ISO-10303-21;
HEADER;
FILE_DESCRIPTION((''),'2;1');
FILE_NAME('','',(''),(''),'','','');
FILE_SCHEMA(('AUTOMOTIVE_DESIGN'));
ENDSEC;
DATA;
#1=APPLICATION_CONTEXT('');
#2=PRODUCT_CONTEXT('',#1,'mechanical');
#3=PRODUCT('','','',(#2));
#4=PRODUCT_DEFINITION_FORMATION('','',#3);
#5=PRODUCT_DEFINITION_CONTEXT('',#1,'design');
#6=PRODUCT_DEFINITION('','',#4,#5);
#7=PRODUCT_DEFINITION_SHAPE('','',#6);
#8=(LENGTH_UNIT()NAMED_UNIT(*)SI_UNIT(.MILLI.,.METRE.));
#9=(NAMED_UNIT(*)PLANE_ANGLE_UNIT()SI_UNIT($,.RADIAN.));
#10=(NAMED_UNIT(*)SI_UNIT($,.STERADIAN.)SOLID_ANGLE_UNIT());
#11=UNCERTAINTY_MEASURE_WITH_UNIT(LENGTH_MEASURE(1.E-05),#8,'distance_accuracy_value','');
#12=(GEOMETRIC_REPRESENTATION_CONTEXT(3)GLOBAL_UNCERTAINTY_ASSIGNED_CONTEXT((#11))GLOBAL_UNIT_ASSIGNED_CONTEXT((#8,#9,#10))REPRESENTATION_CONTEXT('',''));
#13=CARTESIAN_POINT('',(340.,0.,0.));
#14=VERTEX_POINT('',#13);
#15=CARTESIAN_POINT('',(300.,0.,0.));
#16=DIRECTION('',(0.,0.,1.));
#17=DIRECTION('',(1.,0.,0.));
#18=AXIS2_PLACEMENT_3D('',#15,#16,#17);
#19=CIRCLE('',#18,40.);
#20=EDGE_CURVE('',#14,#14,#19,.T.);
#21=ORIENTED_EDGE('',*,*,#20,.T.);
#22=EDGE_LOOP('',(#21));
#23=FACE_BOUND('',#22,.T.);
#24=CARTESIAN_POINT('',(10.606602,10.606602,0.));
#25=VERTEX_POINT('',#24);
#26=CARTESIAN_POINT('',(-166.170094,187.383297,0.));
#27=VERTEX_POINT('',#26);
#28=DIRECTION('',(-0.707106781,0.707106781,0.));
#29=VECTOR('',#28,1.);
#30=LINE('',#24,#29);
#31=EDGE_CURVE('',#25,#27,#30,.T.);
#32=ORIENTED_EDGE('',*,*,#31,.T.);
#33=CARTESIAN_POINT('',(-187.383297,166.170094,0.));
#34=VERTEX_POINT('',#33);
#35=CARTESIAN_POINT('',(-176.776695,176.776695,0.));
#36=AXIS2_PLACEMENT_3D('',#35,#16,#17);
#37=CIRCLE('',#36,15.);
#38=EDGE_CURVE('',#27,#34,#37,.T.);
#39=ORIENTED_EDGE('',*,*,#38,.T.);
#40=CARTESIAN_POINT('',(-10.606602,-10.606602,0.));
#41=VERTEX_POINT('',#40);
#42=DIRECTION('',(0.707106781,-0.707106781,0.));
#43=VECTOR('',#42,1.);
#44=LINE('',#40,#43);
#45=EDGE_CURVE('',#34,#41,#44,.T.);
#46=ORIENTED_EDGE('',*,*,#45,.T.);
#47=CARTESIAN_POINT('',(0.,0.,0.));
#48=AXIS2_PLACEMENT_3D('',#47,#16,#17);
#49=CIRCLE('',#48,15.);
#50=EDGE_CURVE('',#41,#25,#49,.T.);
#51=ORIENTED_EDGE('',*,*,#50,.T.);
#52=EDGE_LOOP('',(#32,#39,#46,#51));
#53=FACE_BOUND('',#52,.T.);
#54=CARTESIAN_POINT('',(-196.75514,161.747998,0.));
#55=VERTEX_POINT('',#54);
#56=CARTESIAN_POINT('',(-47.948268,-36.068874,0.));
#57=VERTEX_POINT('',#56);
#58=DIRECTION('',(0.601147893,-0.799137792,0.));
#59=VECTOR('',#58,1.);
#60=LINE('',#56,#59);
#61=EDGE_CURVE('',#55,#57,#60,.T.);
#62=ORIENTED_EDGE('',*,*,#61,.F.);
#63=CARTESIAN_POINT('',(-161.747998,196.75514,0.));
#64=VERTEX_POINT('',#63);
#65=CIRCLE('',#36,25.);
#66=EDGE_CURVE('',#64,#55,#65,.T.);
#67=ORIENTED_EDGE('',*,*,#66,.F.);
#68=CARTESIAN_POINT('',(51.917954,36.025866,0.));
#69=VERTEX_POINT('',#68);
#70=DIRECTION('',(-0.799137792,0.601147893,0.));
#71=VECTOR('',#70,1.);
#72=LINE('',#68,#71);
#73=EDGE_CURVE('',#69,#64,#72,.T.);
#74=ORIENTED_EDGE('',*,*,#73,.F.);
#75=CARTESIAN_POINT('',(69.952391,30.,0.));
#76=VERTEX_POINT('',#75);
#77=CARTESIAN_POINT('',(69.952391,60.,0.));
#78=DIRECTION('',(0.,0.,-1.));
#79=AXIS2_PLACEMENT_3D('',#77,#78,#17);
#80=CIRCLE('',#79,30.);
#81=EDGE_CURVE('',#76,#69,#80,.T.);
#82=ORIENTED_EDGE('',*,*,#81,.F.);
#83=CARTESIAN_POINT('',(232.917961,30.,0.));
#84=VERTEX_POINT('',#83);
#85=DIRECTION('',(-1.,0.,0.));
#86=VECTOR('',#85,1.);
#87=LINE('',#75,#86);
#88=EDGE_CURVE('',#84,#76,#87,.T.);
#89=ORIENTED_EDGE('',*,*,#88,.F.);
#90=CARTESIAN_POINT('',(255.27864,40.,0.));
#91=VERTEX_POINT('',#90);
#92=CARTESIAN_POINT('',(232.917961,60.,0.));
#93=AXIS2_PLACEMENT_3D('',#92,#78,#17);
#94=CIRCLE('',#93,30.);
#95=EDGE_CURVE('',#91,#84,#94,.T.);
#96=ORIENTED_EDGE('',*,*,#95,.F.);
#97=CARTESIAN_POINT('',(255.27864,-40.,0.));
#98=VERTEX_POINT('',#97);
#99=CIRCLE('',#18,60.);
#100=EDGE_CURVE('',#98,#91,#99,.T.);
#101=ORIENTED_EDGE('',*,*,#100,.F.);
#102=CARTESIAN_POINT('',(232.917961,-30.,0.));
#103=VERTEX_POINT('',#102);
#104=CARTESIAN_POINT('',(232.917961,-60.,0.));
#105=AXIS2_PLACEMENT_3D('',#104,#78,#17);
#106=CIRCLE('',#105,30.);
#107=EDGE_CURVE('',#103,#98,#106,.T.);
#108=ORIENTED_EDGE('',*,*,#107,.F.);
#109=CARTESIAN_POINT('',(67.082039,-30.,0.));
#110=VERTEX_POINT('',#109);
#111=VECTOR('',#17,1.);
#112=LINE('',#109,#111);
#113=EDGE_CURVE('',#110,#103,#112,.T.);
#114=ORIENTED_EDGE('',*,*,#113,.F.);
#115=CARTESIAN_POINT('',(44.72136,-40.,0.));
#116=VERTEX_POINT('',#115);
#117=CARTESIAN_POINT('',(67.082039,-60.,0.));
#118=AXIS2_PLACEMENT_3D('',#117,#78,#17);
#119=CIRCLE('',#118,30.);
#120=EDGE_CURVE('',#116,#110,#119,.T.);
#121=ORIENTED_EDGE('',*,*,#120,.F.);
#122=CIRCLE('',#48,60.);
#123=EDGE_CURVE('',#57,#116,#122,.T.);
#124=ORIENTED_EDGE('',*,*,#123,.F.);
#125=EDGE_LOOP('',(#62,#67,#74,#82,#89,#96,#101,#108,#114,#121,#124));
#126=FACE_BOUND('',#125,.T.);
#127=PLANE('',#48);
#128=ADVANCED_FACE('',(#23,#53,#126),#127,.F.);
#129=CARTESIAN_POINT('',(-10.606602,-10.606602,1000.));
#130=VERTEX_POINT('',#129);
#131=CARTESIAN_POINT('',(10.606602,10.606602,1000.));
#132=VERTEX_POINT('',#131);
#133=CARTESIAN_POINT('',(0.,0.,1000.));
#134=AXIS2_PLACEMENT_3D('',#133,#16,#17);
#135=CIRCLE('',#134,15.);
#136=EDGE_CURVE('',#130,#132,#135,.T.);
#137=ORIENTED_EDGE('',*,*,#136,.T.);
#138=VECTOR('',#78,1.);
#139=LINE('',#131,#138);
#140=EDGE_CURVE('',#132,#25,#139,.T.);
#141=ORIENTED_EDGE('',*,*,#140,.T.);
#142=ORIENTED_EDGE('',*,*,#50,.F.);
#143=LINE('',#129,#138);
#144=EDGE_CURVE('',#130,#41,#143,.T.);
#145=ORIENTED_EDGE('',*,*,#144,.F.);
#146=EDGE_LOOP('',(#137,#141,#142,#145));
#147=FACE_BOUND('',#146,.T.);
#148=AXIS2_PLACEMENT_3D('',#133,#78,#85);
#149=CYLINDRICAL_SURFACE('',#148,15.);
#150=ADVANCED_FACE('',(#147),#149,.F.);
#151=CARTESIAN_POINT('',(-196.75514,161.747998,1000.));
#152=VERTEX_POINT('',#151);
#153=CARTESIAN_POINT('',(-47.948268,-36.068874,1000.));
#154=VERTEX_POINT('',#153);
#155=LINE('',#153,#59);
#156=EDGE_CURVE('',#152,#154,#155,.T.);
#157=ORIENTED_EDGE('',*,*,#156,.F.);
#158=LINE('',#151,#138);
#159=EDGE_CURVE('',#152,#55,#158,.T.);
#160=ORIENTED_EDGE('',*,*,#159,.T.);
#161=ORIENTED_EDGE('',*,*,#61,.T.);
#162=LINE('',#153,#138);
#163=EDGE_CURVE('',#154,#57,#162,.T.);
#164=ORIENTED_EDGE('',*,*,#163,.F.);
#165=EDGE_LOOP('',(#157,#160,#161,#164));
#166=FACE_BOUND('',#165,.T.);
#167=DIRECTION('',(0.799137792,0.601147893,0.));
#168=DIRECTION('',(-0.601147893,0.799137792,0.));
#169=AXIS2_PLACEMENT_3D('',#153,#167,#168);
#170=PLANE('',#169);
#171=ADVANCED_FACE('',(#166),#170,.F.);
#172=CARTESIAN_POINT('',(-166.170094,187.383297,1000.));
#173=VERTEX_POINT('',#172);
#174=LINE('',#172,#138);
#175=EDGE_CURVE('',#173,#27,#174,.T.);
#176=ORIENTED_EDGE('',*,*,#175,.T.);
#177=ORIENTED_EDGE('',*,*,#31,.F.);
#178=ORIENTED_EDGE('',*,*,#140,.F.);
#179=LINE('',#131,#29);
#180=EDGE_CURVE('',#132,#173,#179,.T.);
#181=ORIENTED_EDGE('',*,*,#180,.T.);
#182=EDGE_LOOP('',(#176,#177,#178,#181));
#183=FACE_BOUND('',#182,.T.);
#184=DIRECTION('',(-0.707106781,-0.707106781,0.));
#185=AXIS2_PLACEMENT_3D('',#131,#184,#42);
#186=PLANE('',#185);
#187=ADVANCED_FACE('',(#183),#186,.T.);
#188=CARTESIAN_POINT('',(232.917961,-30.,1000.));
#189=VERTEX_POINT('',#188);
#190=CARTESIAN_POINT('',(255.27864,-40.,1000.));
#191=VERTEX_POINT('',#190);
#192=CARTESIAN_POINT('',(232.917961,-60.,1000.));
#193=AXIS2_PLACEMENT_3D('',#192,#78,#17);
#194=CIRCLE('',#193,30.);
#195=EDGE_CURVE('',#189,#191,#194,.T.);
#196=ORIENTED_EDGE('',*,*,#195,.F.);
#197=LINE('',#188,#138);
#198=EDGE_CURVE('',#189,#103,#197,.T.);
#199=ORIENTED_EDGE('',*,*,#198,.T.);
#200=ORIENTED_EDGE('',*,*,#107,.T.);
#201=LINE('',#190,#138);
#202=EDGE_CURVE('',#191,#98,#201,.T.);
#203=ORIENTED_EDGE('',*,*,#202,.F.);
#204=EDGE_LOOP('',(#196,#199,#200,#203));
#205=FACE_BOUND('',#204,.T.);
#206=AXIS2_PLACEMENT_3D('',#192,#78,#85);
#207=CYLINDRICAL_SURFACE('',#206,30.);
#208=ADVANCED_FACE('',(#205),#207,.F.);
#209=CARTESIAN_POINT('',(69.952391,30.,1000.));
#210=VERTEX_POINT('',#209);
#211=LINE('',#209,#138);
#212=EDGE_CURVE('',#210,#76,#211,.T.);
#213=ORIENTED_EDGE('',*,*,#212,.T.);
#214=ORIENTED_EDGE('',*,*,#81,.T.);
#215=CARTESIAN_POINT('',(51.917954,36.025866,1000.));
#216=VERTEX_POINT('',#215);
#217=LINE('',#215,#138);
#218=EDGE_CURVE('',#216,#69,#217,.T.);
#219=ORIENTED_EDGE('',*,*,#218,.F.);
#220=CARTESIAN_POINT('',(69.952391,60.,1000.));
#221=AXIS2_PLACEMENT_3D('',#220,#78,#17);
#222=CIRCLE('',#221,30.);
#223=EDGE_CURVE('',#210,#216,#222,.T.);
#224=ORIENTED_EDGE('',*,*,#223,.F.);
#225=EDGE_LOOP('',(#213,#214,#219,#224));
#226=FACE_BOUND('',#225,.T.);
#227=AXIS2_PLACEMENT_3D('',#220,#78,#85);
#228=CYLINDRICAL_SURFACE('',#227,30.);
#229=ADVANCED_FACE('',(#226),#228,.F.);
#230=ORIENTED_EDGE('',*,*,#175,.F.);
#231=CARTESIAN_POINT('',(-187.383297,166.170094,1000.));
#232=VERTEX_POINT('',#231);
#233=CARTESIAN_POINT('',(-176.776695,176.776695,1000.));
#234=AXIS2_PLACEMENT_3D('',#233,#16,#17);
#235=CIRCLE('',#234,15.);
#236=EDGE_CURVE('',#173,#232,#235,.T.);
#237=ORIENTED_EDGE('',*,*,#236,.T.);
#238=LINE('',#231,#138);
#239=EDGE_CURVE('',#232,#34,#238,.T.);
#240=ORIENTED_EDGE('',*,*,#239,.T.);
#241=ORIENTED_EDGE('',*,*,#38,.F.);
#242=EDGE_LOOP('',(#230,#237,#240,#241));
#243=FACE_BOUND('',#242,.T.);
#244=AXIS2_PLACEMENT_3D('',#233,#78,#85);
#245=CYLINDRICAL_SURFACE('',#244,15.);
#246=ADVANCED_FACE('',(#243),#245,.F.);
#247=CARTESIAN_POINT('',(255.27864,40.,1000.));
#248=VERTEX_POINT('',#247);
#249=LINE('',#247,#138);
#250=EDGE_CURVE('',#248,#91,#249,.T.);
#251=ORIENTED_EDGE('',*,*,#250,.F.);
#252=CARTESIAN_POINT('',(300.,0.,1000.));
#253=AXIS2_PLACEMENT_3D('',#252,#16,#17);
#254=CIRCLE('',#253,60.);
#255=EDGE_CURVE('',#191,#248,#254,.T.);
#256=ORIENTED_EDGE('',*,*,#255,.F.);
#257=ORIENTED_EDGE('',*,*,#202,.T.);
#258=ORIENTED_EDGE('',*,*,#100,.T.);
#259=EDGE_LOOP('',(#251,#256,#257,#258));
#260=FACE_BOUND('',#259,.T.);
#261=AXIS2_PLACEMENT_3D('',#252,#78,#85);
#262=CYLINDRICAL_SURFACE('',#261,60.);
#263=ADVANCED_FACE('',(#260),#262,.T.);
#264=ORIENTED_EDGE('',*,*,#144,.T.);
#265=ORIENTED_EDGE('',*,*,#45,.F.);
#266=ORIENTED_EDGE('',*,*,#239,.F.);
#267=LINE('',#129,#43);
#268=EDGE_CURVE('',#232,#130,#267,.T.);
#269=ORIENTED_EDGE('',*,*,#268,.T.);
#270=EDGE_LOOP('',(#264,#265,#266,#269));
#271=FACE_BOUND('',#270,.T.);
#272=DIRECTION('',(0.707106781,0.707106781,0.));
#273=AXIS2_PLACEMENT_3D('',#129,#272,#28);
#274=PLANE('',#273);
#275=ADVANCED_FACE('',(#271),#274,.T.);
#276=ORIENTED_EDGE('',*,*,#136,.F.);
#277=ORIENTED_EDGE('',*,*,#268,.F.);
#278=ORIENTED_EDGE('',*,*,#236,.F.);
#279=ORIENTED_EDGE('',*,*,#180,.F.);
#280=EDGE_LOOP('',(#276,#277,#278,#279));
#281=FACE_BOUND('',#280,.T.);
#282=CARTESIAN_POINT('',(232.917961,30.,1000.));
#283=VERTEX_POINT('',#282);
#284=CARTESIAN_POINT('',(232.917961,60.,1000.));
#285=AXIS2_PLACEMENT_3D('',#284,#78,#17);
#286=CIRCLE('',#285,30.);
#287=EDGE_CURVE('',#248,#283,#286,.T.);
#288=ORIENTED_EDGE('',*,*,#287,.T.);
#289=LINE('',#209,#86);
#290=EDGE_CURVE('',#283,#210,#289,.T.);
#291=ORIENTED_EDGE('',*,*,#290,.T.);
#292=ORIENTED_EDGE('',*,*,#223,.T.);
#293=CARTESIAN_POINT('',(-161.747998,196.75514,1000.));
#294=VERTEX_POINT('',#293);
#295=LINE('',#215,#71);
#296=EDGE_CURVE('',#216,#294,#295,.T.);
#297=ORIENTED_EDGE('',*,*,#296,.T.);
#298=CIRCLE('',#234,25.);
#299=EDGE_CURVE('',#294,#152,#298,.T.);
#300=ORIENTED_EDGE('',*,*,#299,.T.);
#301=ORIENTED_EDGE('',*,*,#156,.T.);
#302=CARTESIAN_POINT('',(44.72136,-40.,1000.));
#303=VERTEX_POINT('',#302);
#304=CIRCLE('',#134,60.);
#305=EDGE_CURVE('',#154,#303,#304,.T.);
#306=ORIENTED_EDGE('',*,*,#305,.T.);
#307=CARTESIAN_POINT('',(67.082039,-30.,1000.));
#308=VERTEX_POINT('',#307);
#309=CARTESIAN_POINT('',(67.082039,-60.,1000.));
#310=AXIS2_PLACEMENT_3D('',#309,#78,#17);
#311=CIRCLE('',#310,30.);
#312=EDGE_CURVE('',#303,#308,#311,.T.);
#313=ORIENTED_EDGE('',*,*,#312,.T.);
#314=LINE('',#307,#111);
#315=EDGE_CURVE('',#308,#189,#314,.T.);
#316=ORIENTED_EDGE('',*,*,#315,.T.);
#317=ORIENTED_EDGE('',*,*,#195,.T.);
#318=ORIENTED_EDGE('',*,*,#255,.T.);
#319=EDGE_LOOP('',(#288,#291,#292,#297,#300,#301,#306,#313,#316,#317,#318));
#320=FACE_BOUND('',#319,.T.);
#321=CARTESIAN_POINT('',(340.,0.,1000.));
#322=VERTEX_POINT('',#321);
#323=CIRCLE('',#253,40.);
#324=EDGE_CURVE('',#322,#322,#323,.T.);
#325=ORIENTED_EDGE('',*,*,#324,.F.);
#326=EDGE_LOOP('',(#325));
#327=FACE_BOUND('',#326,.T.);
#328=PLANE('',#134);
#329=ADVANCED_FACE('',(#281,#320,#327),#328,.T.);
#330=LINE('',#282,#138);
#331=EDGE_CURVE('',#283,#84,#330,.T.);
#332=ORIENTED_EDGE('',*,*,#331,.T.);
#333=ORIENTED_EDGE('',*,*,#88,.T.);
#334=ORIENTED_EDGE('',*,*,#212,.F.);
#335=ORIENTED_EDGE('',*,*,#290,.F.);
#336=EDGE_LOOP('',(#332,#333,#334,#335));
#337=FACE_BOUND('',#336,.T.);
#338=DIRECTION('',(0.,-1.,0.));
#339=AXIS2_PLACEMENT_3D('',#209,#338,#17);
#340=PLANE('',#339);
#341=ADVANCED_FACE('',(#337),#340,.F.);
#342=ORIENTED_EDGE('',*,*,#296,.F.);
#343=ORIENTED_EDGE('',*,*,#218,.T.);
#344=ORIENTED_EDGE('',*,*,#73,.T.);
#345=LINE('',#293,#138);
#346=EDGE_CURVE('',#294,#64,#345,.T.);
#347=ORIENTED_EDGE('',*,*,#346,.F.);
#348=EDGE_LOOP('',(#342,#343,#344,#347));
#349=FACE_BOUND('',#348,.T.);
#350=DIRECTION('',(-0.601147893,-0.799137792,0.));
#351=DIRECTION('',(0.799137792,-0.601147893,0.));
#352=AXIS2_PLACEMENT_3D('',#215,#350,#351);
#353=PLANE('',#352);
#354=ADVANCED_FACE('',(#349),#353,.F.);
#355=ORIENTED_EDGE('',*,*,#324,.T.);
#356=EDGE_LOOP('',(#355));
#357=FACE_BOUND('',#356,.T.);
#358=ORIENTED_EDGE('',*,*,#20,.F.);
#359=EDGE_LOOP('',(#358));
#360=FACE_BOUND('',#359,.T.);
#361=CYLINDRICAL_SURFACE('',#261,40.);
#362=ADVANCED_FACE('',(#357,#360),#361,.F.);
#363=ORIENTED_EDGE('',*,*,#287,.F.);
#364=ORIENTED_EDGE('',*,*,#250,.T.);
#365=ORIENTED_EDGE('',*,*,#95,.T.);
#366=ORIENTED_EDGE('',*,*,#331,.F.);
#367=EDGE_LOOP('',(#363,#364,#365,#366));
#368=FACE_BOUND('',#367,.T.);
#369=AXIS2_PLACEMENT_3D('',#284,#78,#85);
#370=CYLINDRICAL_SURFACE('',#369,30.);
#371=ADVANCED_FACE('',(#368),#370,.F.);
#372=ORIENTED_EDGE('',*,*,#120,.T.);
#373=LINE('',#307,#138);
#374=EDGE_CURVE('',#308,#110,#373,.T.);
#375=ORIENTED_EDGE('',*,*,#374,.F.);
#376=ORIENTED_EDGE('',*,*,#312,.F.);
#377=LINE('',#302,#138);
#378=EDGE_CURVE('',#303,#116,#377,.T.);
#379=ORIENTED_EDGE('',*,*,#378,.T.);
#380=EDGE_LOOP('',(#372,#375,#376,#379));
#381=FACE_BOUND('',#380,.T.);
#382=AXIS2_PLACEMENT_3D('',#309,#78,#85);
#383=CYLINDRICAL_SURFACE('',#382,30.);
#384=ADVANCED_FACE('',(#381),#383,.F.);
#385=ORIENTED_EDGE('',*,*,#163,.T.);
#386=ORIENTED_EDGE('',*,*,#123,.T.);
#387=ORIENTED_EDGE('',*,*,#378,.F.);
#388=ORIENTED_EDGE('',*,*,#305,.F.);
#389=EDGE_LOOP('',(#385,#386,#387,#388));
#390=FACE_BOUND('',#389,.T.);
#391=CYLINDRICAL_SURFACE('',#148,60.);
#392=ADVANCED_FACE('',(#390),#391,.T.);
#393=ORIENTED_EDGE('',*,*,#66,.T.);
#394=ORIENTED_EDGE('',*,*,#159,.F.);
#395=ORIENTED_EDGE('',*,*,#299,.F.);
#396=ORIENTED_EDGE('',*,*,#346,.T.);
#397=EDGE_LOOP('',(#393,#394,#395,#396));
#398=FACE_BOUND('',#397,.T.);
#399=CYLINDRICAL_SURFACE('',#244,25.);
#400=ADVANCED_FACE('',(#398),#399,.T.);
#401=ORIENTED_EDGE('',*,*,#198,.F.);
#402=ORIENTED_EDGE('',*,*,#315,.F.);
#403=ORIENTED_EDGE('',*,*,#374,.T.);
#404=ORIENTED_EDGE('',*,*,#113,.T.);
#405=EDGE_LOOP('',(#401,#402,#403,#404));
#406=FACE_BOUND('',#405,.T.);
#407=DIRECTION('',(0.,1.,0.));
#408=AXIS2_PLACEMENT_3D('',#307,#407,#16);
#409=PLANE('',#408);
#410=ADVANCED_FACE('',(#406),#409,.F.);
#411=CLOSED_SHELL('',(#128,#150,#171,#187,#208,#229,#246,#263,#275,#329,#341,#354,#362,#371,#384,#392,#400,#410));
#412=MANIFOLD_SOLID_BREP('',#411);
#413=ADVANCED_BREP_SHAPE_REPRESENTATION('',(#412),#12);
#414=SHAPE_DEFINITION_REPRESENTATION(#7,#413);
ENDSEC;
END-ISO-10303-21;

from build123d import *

# Parameters (mm, degrees)
SKETCH13_R          = 40
BOSS_EXTRUDE1_DEPTH = 1000


with BuildPart() as part:
    # Sketch13 → Boss-Extrude1 (new body)
    with BuildSketch(Plane.XY):
        with BuildLine():
            Line((51.91795422, 36.025866242), (-161.747997967, 196.755140095))
            ThreePointArc((-161.747997967, 196.755140095), (-194.454364826, 194.454364826), (-196.755140095, 161.747997967))
            Line((-196.755140095, 161.747997967), (-47.948267516, -36.068873592))
            ThreePointArc((-47.948267516, -36.068873592), (-2.54296529, -59.946086841), (44.72135955, -40))
            ThreePointArc((44.72135955, -40), (54.834590611, -32.613872125), (67.082039325, -30))
            Line((67.082039325, -30), (232.917960675, -30))
            ThreePointArc((232.917960675, -30), (245.165409389, -32.613872125), (255.27864045, -40))
            ThreePointArc((255.27864045, -40), (360, 0), (255.27864045, 40))
            ThreePointArc((255.27864045, 40), (245.165409389, 32.613872125), (232.917960675, 30))
            Line((232.917960675, 30), (69.952391016, 30))
            ThreePointArc((69.952391016, 30), (60.445130968, 31.546318228), (51.91795422, 36.025866242))
        make_face()
        with Locations((300, 0)):
            Circle(SKETCH13_R, mode=Mode.SUBTRACT)
        with BuildLine():
            Line((-10.606601718, -10.606601718), (-187.383297014, 166.170093579))
            ThreePointArc((-187.383297014, 166.170093579), (-187.383297014, 187.383297014), (-166.170093579, 187.383297014))
            Line((-166.170093579, 187.383297014), (10.606601718, 10.606601718))
            ThreePointArc((10.606601718, 10.606601718), (10.606601718, -10.606601718), (-10.606601718, -10.606601718))
        make_face(mode=Mode.SUBTRACT)
    extrude(amount=BOSS_EXTRUDE1_DEPTH)


solid = part.part
